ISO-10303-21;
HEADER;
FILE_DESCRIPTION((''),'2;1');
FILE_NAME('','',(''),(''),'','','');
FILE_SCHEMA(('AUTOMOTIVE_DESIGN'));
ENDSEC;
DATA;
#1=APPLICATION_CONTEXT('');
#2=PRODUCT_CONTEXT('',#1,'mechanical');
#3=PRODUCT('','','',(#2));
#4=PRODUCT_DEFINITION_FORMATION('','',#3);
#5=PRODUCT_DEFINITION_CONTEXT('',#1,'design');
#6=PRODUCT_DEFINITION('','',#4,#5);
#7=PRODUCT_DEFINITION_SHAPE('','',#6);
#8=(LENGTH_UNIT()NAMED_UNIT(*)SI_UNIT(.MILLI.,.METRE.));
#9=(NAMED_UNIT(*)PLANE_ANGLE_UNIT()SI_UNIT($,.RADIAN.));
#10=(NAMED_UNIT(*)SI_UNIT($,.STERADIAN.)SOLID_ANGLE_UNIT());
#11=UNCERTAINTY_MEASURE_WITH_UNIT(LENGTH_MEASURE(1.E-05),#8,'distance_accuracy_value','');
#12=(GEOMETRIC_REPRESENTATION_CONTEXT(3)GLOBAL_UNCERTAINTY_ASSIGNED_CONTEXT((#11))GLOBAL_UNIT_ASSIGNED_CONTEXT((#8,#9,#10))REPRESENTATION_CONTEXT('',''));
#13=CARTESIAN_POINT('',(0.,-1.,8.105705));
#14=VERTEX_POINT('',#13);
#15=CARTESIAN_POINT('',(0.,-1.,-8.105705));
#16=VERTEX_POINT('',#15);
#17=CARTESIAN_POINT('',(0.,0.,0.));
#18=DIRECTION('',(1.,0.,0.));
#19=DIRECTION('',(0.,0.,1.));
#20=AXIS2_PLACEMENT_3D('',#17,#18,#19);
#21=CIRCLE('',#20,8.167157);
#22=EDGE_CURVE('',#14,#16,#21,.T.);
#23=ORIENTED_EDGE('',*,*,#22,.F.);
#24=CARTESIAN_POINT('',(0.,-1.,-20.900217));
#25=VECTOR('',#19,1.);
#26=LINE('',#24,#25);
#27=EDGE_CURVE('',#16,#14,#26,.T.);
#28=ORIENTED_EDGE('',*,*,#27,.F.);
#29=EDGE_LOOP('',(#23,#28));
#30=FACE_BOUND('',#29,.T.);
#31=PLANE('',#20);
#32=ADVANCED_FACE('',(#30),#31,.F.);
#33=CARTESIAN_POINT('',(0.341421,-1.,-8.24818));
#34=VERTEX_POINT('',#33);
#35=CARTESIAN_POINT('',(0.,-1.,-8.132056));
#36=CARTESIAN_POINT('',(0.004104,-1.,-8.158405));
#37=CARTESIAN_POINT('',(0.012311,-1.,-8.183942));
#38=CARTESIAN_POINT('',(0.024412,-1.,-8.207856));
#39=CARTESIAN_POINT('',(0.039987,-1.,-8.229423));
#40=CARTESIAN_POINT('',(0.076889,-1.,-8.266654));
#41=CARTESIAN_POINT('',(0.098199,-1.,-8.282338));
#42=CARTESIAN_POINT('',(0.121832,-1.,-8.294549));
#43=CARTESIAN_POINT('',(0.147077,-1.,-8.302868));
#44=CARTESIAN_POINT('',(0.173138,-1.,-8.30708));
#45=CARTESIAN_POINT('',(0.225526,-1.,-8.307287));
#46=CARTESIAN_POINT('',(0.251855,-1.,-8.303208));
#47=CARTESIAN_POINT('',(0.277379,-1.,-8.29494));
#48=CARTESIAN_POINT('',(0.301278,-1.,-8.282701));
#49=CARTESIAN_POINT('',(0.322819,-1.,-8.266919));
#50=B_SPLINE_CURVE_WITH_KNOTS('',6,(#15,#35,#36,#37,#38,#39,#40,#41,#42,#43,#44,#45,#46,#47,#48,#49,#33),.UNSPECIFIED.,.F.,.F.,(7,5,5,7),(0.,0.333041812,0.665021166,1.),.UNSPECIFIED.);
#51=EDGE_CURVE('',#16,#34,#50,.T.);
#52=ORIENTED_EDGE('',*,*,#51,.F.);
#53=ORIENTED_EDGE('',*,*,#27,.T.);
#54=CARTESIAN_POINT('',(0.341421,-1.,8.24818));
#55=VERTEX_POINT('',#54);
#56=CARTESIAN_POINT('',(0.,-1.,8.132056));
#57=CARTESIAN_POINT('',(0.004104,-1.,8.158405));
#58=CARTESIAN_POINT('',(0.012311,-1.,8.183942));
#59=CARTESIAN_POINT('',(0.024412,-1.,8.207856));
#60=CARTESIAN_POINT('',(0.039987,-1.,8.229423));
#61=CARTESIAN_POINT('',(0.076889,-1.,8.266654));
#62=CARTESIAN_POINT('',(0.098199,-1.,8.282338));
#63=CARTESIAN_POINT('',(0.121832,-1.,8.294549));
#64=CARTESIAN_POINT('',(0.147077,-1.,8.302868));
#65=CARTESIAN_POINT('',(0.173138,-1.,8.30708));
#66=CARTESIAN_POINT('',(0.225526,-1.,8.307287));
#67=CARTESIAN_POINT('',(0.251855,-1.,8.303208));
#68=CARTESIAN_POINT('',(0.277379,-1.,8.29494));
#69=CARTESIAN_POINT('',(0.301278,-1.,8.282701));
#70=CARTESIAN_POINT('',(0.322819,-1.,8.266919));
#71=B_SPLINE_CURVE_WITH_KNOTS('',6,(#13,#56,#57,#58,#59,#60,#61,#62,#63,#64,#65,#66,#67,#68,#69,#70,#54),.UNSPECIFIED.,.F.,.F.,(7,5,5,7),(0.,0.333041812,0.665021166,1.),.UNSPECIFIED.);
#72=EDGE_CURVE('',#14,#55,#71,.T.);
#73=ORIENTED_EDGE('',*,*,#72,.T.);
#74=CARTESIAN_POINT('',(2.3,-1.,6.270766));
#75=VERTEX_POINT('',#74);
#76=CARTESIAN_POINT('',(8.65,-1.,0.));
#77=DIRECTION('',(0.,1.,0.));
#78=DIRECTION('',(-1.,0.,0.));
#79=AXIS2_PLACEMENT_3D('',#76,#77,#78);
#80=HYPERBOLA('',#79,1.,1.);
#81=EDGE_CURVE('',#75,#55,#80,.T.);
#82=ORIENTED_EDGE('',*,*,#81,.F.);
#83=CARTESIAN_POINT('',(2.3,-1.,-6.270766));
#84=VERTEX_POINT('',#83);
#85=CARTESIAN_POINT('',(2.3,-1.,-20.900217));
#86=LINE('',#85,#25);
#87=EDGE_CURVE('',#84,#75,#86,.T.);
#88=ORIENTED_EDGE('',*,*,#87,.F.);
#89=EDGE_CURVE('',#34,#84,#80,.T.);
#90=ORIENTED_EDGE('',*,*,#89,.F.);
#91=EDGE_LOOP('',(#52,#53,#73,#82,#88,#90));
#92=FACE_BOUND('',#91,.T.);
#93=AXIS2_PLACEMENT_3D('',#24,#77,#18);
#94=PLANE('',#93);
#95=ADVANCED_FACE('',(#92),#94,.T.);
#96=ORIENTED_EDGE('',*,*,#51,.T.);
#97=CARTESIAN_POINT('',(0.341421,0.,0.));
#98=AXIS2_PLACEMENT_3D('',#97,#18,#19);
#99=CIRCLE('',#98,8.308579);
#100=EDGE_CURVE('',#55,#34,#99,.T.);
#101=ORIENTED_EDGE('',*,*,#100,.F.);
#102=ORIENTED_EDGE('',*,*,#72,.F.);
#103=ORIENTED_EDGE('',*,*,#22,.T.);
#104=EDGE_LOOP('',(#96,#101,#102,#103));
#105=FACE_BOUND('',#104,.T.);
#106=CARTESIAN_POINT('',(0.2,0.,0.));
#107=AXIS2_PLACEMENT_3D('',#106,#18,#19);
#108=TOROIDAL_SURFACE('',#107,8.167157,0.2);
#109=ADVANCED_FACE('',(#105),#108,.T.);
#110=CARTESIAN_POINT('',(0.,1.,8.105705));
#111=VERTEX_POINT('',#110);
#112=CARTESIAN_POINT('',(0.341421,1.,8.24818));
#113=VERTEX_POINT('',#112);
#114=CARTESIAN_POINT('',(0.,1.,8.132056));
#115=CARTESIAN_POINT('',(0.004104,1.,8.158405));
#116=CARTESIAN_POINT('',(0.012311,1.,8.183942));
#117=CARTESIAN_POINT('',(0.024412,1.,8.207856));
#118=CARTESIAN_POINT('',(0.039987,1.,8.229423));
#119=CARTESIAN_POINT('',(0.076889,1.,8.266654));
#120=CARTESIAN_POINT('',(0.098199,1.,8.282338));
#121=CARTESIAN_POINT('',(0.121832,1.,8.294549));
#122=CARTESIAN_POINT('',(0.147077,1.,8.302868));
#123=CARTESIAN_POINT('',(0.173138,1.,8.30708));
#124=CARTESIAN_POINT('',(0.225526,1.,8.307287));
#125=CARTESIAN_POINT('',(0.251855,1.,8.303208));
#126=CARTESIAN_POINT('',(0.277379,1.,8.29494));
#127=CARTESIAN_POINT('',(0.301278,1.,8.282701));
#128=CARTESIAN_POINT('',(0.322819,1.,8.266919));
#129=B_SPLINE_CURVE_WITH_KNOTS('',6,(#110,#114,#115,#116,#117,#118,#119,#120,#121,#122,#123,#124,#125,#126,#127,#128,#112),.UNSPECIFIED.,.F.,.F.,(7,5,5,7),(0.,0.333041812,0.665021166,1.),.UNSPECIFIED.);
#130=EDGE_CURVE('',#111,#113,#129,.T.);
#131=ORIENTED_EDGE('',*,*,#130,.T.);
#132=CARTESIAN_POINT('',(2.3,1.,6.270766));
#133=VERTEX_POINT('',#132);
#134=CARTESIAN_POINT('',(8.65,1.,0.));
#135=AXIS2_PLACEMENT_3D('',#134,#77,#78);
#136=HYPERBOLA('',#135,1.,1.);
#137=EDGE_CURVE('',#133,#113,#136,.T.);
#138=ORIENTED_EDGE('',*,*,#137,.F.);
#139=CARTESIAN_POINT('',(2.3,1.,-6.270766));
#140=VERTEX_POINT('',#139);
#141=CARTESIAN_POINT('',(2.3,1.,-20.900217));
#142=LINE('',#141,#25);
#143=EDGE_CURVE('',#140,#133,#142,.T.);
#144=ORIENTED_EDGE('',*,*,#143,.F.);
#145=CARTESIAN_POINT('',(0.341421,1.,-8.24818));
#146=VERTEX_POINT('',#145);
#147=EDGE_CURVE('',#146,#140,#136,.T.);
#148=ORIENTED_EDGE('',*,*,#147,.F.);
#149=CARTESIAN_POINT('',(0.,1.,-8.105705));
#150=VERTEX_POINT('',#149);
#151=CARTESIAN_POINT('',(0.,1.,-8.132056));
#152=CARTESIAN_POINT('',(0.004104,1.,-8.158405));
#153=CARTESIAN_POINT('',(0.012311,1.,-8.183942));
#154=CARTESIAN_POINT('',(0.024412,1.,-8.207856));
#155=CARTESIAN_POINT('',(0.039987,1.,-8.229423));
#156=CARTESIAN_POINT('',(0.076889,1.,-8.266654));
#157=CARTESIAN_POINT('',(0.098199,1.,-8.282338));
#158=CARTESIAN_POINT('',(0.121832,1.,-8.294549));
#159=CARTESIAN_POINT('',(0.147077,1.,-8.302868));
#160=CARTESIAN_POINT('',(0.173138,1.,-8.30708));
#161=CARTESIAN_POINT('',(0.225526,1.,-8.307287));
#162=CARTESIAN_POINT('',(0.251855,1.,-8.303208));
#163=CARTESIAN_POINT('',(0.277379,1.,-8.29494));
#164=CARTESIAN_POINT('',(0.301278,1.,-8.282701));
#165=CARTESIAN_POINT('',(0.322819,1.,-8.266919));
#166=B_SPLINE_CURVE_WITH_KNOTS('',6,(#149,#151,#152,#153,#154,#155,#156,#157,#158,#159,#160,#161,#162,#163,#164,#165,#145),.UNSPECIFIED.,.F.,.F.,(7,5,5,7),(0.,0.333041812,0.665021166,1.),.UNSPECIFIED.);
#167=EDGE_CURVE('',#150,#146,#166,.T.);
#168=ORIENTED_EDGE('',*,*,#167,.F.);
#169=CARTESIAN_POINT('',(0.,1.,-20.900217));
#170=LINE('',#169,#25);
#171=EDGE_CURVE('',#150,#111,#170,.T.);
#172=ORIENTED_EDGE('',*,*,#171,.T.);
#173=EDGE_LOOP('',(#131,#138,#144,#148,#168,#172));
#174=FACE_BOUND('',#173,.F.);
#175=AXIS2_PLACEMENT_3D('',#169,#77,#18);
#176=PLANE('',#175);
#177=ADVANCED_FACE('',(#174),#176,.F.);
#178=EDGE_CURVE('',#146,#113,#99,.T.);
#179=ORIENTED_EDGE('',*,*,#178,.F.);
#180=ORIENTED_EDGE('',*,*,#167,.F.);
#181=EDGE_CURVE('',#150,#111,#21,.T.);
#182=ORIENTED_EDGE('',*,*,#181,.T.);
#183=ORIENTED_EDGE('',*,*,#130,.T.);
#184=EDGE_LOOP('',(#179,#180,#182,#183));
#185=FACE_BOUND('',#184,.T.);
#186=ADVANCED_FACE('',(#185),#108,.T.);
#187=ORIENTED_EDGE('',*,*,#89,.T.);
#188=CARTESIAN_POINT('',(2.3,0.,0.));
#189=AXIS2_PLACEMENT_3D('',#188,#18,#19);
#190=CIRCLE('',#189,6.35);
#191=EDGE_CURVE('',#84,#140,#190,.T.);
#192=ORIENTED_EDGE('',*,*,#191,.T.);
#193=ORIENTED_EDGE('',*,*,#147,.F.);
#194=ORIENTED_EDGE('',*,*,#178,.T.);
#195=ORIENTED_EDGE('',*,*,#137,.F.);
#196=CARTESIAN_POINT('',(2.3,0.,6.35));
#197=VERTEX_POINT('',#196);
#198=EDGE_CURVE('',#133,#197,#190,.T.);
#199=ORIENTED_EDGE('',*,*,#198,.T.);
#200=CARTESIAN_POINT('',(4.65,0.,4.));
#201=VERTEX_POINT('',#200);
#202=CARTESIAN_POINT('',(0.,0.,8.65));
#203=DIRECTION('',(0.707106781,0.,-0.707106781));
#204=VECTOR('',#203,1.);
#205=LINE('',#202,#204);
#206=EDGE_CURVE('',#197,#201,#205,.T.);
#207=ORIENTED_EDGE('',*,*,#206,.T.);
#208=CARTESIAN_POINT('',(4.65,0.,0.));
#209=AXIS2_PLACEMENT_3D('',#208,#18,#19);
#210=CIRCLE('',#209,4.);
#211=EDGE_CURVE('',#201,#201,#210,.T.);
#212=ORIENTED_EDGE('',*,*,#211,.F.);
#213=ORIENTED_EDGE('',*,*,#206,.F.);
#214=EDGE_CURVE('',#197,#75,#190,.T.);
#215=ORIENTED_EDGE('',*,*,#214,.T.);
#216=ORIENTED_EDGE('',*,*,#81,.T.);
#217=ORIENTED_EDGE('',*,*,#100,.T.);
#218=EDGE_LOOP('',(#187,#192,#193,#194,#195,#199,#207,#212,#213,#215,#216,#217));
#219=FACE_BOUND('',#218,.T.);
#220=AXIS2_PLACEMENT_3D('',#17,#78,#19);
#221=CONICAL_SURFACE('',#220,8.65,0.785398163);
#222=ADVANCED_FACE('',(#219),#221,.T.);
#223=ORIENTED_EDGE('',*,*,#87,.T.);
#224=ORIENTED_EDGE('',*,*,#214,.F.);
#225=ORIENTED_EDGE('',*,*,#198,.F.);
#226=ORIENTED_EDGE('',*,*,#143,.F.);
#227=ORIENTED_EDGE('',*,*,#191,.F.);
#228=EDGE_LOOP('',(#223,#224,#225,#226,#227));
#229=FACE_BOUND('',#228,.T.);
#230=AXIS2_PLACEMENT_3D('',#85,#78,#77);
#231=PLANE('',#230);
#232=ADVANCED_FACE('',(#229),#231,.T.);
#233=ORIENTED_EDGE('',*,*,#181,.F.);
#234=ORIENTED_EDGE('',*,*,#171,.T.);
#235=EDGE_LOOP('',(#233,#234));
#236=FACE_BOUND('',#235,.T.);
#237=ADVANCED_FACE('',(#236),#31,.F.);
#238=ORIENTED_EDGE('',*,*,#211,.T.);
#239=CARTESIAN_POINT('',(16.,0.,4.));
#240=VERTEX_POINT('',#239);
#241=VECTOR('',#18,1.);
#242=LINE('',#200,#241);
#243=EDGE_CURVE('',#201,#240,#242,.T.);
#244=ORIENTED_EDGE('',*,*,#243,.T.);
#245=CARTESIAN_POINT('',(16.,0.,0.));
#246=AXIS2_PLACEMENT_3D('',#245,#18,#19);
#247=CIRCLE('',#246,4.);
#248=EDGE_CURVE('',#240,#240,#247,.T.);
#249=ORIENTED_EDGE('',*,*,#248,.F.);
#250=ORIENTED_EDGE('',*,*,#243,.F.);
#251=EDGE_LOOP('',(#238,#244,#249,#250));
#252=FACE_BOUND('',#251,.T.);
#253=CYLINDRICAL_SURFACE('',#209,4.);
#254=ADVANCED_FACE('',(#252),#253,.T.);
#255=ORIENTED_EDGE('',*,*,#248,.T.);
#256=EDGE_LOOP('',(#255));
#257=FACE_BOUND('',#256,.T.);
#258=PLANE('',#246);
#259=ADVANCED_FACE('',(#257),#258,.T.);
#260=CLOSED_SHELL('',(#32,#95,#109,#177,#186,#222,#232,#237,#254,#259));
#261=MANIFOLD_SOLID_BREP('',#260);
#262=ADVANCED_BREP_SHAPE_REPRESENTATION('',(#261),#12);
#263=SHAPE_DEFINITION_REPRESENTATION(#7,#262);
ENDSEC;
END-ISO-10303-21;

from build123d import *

# Parameters (mm, degrees)
HEADFILLET_R     = 0.2
NOTCH_DEPTH      = 20.900217222
NOTCH_DEPTH_BACK = 20.900217222
SKETCH2_W        = 2.3
SKETCH2_H        = 2


with BuildPart() as part:
    # Sketch1 → Base (revolve)
    with BuildSketch(Plane.XY, mode=Mode.PRIVATE) as base_sk:
        Polygon((0, 0), (0, 8.65), (4.65, 4), (16, 4), (16, 0), align=None)
    revolve(base_sk.sketch.rotate(Axis((-5.569640847, 0, 0), (1, 0, 0)), 90), axis=Axis((-5.569640847, 0, 0), (1, 0, 0)))

    # HeadFillet
    headfillet_edges = [part.edges().sort_by_distance(p)[0] for p in [
        (0, 0, -8.65),
    ]]
    fillet(headfillet_edges, radius=HEADFILLET_R)

    # Sketch2 → Notch (cut, two sides: drawn at the far end of the back side and taken through both)
    with BuildSketch(Plane.XY.offset(-NOTCH_DEPTH_BACK)):
        with Locations((1.15, 0)):
            Rectangle(SKETCH2_W, SKETCH2_H)
    extrude(amount=NOTCH_DEPTH + NOTCH_DEPTH_BACK, mode=Mode.SUBTRACT)


solid = part.part
